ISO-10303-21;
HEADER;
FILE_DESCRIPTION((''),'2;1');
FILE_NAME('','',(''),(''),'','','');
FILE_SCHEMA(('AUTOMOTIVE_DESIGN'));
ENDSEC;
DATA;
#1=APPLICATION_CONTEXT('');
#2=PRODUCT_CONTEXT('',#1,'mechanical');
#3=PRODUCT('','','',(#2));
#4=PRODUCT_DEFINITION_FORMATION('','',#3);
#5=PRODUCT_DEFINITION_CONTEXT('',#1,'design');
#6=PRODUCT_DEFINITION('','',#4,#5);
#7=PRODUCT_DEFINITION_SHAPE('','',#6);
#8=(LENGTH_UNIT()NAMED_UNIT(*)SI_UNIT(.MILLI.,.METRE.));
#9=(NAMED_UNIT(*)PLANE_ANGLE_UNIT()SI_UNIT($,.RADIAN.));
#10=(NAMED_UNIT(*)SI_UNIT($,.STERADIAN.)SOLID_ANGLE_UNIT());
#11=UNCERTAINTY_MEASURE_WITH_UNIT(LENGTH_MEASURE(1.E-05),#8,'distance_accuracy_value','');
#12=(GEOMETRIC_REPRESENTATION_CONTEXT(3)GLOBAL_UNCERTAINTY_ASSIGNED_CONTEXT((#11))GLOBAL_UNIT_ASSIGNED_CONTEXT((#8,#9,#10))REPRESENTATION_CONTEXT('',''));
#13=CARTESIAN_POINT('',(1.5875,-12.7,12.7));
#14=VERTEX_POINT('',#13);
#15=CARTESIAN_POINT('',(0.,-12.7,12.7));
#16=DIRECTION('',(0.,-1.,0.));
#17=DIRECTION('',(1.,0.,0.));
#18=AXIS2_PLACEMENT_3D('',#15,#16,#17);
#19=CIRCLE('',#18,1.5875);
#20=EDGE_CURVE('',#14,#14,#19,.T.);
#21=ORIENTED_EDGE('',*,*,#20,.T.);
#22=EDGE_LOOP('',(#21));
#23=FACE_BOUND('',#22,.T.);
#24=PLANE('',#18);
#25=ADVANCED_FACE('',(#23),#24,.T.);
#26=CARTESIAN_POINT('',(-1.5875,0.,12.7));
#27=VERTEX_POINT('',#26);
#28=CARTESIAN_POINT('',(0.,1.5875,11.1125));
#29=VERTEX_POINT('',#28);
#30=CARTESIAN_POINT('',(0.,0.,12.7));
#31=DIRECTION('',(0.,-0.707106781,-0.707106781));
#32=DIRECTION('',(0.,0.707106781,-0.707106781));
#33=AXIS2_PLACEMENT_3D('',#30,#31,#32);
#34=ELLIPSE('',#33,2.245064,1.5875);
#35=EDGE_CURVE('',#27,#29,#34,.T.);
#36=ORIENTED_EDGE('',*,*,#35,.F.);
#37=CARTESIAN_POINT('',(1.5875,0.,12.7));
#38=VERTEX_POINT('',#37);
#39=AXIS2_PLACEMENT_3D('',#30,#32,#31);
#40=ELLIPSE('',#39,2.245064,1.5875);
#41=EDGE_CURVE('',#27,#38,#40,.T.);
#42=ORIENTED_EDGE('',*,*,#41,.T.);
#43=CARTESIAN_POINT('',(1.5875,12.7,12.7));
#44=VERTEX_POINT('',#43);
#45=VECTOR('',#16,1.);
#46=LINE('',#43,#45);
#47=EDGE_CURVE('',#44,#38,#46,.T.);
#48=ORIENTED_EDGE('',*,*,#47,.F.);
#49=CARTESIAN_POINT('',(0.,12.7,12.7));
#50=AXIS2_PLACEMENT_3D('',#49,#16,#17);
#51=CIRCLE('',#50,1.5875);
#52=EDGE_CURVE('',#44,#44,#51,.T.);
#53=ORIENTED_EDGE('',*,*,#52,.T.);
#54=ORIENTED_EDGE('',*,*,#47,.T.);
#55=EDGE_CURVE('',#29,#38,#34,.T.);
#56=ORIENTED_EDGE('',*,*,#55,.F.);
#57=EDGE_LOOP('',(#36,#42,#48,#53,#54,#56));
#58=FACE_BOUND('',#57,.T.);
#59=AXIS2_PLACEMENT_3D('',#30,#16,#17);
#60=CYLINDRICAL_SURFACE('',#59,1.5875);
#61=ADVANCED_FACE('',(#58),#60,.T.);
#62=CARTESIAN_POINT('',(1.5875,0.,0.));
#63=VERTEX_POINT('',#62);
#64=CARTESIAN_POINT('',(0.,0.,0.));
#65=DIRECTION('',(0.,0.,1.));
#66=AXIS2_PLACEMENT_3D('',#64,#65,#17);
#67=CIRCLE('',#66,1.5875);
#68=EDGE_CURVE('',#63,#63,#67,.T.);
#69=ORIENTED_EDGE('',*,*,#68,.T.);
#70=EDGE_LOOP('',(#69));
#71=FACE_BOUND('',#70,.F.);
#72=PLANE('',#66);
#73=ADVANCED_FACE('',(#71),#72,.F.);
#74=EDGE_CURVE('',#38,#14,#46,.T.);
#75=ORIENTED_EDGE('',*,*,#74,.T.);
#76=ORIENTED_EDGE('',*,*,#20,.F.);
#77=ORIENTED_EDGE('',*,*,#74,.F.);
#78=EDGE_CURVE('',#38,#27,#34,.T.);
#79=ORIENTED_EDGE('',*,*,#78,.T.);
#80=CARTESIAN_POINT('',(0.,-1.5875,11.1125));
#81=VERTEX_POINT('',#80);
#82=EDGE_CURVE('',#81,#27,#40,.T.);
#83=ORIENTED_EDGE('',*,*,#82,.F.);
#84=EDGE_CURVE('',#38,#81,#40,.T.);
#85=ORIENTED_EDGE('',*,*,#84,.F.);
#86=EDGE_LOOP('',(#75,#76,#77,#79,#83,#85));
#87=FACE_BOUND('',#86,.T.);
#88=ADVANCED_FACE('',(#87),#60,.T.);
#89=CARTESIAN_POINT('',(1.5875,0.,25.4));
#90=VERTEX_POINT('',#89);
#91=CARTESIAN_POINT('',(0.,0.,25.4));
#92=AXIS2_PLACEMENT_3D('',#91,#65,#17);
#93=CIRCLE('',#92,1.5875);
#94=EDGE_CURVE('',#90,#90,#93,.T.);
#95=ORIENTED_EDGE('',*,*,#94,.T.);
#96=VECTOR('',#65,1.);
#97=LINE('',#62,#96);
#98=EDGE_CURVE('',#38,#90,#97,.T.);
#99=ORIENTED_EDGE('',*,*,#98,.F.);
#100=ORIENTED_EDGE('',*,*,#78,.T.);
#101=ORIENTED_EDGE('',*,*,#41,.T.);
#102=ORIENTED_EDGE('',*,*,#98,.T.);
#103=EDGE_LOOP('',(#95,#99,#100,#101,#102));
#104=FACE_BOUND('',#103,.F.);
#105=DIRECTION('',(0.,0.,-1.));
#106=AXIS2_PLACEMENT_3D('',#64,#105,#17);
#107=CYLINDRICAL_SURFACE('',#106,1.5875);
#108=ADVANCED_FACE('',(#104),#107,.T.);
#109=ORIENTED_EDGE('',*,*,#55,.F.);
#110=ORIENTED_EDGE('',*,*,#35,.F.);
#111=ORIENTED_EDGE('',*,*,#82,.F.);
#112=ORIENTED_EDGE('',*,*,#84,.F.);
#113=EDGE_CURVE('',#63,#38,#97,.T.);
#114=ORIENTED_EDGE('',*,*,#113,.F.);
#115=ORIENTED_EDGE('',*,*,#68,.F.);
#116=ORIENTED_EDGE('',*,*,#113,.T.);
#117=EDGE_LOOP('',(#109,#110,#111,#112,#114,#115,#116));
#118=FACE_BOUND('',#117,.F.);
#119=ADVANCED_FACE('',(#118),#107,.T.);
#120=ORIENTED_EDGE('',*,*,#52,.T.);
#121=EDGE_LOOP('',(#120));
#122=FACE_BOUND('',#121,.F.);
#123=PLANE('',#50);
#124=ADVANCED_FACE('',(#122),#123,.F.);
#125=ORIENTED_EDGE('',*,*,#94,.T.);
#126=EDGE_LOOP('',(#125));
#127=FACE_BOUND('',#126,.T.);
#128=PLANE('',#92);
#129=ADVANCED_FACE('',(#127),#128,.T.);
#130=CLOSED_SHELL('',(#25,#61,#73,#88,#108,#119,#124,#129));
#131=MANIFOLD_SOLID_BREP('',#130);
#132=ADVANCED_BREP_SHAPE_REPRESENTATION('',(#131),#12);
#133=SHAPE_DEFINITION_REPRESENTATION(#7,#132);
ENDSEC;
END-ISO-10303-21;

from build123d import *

# Parameters (mm, degrees)
F0_R     = 1.5875
F1_DEPTH = 25.4
F2_R     = 1.5875
F3_DEPTH = 12.7


with BuildPart() as f1:
    # F0 (on Top) → F1 (new body)
    with BuildSketch(Plane.XY):
        Circle(F0_R)
    extrude(amount=F1_DEPTH)

    # F2 (on Front) → F3 (join, symmetric)
    with BuildSketch(Plane.XZ):
        with Locations((0, 12.7)):
            Circle(F2_R)
    extrude(amount=F3_DEPTH, both=True)


solid = f1.part
